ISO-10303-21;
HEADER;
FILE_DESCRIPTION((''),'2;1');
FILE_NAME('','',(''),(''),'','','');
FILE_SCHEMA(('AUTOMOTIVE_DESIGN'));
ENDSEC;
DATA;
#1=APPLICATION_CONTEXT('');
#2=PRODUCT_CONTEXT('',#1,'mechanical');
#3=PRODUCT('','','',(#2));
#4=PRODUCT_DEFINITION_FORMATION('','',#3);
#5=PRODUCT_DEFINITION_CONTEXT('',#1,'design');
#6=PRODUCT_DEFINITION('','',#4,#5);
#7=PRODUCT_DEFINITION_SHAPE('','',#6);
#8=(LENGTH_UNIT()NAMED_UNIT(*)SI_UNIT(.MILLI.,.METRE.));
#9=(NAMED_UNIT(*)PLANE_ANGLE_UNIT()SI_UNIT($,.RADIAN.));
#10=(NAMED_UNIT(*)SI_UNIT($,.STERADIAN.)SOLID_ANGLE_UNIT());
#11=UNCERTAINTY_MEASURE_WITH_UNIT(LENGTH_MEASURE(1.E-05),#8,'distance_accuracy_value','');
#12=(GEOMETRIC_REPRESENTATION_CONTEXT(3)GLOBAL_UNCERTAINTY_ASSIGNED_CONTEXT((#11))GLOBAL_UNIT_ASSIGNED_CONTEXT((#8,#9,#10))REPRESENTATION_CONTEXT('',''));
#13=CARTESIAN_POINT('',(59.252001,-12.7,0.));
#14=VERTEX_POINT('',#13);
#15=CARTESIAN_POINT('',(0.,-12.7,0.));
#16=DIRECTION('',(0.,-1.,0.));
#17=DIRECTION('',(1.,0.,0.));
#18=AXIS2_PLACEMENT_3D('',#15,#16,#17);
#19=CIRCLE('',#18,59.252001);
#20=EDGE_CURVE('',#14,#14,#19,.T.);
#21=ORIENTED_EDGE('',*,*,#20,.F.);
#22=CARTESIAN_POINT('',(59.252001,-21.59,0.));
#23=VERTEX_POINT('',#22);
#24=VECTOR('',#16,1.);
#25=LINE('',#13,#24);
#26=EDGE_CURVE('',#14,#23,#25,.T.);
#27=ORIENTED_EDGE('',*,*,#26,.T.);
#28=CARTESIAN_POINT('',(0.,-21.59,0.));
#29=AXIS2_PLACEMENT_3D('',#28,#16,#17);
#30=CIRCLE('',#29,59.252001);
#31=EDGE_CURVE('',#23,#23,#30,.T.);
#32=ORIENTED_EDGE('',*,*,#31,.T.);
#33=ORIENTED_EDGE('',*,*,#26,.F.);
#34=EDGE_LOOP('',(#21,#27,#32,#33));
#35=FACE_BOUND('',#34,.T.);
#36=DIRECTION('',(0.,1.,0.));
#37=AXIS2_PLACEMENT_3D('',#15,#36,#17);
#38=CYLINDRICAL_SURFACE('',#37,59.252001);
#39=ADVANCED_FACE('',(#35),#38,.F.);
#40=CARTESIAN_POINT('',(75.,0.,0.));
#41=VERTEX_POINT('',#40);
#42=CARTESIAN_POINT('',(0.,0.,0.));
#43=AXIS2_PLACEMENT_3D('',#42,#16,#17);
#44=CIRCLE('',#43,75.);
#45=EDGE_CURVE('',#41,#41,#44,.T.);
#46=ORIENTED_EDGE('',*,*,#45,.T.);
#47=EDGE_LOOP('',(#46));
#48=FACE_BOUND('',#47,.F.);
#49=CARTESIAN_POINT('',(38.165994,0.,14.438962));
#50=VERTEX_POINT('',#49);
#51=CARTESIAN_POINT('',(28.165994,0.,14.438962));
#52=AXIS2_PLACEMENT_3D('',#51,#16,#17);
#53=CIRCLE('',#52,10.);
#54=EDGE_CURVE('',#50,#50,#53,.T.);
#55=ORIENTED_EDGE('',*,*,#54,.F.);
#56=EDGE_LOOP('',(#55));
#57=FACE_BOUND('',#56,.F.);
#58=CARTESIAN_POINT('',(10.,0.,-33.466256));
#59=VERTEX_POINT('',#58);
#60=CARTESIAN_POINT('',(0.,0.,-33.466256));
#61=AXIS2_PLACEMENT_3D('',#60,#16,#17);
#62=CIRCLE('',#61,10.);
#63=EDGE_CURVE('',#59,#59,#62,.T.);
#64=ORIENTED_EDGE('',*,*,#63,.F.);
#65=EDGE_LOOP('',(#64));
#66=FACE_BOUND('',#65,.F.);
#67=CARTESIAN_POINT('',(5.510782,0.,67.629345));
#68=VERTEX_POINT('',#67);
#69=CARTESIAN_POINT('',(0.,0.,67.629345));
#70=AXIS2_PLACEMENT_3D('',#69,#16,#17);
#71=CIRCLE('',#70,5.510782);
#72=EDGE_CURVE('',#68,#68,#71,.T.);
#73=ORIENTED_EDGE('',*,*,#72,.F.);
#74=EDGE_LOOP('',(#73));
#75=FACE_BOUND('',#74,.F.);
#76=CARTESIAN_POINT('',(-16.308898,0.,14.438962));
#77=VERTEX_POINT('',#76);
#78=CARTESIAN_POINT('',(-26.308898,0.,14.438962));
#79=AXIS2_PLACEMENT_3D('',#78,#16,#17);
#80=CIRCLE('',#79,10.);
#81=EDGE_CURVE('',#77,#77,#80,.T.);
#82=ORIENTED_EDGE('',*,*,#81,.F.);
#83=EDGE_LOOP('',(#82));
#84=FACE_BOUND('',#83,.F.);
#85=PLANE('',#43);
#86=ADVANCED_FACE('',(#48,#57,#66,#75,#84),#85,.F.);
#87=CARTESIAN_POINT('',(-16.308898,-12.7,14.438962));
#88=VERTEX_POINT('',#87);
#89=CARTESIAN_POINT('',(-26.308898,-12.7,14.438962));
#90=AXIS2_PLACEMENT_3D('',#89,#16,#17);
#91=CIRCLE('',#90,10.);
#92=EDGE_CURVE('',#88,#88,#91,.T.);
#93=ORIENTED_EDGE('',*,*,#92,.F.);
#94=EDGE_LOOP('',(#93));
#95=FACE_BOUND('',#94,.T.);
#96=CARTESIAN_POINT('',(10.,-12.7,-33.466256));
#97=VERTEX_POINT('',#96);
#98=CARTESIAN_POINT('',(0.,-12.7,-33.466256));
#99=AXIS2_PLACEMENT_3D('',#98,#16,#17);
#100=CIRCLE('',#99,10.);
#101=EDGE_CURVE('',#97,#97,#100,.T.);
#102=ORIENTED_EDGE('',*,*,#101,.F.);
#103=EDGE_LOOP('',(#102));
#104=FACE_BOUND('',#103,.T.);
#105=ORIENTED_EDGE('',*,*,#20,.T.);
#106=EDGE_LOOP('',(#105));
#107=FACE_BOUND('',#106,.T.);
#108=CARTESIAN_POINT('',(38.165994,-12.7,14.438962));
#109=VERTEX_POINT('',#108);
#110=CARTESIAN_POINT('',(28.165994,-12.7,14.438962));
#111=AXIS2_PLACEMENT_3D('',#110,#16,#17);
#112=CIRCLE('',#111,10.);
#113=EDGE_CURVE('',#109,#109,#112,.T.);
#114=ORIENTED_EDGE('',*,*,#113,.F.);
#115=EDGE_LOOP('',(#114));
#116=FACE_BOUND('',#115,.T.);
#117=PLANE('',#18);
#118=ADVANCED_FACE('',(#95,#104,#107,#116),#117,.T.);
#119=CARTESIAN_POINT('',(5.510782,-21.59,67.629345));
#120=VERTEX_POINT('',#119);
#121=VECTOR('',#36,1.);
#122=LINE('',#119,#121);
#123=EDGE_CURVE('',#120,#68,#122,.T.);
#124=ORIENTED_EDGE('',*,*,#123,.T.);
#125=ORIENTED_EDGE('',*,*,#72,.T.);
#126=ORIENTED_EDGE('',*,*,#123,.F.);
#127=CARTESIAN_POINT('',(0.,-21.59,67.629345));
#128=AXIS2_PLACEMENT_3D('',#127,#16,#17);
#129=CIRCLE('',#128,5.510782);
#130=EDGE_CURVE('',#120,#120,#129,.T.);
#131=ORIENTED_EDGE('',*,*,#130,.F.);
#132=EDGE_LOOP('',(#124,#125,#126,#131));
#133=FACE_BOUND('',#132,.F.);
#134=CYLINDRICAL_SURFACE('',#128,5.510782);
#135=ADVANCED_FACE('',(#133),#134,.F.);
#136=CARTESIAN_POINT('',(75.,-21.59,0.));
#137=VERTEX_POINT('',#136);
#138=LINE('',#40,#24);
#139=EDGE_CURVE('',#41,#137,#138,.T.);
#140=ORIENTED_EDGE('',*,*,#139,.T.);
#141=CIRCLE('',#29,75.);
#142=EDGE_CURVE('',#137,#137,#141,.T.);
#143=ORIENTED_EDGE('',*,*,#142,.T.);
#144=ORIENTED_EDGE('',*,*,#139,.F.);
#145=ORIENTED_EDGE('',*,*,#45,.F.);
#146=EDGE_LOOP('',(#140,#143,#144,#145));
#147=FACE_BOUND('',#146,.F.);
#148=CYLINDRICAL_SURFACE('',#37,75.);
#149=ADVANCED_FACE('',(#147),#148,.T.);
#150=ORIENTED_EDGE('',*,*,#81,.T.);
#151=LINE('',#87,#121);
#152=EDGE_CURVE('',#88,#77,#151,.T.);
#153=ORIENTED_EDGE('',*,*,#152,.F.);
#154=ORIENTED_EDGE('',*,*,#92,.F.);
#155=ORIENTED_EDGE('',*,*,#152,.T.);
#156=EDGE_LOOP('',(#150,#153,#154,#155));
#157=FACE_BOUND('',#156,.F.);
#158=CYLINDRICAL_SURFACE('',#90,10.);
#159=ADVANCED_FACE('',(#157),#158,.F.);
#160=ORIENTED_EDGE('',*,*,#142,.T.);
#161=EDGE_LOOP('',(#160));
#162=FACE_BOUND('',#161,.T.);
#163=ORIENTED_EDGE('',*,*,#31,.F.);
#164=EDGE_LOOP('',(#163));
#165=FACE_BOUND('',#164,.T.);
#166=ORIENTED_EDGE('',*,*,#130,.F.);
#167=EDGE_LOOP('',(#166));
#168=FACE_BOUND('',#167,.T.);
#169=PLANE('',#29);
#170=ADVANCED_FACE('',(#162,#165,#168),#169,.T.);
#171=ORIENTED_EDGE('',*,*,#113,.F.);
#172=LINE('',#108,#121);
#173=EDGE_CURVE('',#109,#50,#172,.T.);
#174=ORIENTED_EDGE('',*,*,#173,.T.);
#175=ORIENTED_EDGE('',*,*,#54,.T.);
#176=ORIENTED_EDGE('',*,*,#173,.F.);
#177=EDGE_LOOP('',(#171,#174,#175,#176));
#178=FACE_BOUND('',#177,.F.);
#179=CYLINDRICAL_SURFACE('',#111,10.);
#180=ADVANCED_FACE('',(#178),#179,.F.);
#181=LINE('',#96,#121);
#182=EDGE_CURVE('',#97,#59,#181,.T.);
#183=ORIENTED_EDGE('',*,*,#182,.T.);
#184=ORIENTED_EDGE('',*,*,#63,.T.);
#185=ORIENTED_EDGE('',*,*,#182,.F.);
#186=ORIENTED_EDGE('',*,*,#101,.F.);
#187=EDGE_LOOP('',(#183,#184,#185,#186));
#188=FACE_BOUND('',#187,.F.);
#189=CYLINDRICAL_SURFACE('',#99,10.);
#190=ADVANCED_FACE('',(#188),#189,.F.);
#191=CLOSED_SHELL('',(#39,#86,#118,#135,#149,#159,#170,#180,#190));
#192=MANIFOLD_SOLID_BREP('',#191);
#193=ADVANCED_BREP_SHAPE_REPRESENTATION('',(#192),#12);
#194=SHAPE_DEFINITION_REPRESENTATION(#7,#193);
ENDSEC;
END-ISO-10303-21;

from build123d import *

# Parameters (mm, degrees)
F0_R     = 75
F1_DEPTH = 12.7
F2_R     = 75
F2_R_2   = 59.252001
F3_DEPTH = 8.89
F4_R     = 10
F5_DEPTH = 25.4
F6_R     = 5.510782
F7_DEPTH = 25.4


with BuildPart() as f1:
    # F0 (on Front) → F1 (new body)
    with BuildSketch(Plane.XZ):
        Circle(F0_R)
    extrude(amount=F1_DEPTH)

    # F2 (on face) → F3 (join)
    with BuildSketch(Plane.XZ.offset(12.7)):
        Circle(F2_R)
        Circle(F2_R_2, mode=Mode.SUBTRACT)
    extrude(amount=F3_DEPTH)

    # F4 (on face) → F5 (cut)
    with BuildSketch(Plane.XZ.offset(12.7)):
        with Locations((-26.308898, 14.438962)):
            Circle(F4_R)
        with Locations((28.165994, 14.438962)):
            Circle(F4_R)
        with Locations((0, -33.466256)):
            Circle(F4_R)
    extrude(amount=-F5_DEPTH, mode=Mode.SUBTRACT)

    # F6 (on face) → F7 (cut)
    with BuildSketch(Plane.XZ.offset(21.59)):
        with Locations((0, 67.629345)):
            Circle(F6_R)
    extrude(amount=-F7_DEPTH, mode=Mode.SUBTRACT)


solid = f1.part
